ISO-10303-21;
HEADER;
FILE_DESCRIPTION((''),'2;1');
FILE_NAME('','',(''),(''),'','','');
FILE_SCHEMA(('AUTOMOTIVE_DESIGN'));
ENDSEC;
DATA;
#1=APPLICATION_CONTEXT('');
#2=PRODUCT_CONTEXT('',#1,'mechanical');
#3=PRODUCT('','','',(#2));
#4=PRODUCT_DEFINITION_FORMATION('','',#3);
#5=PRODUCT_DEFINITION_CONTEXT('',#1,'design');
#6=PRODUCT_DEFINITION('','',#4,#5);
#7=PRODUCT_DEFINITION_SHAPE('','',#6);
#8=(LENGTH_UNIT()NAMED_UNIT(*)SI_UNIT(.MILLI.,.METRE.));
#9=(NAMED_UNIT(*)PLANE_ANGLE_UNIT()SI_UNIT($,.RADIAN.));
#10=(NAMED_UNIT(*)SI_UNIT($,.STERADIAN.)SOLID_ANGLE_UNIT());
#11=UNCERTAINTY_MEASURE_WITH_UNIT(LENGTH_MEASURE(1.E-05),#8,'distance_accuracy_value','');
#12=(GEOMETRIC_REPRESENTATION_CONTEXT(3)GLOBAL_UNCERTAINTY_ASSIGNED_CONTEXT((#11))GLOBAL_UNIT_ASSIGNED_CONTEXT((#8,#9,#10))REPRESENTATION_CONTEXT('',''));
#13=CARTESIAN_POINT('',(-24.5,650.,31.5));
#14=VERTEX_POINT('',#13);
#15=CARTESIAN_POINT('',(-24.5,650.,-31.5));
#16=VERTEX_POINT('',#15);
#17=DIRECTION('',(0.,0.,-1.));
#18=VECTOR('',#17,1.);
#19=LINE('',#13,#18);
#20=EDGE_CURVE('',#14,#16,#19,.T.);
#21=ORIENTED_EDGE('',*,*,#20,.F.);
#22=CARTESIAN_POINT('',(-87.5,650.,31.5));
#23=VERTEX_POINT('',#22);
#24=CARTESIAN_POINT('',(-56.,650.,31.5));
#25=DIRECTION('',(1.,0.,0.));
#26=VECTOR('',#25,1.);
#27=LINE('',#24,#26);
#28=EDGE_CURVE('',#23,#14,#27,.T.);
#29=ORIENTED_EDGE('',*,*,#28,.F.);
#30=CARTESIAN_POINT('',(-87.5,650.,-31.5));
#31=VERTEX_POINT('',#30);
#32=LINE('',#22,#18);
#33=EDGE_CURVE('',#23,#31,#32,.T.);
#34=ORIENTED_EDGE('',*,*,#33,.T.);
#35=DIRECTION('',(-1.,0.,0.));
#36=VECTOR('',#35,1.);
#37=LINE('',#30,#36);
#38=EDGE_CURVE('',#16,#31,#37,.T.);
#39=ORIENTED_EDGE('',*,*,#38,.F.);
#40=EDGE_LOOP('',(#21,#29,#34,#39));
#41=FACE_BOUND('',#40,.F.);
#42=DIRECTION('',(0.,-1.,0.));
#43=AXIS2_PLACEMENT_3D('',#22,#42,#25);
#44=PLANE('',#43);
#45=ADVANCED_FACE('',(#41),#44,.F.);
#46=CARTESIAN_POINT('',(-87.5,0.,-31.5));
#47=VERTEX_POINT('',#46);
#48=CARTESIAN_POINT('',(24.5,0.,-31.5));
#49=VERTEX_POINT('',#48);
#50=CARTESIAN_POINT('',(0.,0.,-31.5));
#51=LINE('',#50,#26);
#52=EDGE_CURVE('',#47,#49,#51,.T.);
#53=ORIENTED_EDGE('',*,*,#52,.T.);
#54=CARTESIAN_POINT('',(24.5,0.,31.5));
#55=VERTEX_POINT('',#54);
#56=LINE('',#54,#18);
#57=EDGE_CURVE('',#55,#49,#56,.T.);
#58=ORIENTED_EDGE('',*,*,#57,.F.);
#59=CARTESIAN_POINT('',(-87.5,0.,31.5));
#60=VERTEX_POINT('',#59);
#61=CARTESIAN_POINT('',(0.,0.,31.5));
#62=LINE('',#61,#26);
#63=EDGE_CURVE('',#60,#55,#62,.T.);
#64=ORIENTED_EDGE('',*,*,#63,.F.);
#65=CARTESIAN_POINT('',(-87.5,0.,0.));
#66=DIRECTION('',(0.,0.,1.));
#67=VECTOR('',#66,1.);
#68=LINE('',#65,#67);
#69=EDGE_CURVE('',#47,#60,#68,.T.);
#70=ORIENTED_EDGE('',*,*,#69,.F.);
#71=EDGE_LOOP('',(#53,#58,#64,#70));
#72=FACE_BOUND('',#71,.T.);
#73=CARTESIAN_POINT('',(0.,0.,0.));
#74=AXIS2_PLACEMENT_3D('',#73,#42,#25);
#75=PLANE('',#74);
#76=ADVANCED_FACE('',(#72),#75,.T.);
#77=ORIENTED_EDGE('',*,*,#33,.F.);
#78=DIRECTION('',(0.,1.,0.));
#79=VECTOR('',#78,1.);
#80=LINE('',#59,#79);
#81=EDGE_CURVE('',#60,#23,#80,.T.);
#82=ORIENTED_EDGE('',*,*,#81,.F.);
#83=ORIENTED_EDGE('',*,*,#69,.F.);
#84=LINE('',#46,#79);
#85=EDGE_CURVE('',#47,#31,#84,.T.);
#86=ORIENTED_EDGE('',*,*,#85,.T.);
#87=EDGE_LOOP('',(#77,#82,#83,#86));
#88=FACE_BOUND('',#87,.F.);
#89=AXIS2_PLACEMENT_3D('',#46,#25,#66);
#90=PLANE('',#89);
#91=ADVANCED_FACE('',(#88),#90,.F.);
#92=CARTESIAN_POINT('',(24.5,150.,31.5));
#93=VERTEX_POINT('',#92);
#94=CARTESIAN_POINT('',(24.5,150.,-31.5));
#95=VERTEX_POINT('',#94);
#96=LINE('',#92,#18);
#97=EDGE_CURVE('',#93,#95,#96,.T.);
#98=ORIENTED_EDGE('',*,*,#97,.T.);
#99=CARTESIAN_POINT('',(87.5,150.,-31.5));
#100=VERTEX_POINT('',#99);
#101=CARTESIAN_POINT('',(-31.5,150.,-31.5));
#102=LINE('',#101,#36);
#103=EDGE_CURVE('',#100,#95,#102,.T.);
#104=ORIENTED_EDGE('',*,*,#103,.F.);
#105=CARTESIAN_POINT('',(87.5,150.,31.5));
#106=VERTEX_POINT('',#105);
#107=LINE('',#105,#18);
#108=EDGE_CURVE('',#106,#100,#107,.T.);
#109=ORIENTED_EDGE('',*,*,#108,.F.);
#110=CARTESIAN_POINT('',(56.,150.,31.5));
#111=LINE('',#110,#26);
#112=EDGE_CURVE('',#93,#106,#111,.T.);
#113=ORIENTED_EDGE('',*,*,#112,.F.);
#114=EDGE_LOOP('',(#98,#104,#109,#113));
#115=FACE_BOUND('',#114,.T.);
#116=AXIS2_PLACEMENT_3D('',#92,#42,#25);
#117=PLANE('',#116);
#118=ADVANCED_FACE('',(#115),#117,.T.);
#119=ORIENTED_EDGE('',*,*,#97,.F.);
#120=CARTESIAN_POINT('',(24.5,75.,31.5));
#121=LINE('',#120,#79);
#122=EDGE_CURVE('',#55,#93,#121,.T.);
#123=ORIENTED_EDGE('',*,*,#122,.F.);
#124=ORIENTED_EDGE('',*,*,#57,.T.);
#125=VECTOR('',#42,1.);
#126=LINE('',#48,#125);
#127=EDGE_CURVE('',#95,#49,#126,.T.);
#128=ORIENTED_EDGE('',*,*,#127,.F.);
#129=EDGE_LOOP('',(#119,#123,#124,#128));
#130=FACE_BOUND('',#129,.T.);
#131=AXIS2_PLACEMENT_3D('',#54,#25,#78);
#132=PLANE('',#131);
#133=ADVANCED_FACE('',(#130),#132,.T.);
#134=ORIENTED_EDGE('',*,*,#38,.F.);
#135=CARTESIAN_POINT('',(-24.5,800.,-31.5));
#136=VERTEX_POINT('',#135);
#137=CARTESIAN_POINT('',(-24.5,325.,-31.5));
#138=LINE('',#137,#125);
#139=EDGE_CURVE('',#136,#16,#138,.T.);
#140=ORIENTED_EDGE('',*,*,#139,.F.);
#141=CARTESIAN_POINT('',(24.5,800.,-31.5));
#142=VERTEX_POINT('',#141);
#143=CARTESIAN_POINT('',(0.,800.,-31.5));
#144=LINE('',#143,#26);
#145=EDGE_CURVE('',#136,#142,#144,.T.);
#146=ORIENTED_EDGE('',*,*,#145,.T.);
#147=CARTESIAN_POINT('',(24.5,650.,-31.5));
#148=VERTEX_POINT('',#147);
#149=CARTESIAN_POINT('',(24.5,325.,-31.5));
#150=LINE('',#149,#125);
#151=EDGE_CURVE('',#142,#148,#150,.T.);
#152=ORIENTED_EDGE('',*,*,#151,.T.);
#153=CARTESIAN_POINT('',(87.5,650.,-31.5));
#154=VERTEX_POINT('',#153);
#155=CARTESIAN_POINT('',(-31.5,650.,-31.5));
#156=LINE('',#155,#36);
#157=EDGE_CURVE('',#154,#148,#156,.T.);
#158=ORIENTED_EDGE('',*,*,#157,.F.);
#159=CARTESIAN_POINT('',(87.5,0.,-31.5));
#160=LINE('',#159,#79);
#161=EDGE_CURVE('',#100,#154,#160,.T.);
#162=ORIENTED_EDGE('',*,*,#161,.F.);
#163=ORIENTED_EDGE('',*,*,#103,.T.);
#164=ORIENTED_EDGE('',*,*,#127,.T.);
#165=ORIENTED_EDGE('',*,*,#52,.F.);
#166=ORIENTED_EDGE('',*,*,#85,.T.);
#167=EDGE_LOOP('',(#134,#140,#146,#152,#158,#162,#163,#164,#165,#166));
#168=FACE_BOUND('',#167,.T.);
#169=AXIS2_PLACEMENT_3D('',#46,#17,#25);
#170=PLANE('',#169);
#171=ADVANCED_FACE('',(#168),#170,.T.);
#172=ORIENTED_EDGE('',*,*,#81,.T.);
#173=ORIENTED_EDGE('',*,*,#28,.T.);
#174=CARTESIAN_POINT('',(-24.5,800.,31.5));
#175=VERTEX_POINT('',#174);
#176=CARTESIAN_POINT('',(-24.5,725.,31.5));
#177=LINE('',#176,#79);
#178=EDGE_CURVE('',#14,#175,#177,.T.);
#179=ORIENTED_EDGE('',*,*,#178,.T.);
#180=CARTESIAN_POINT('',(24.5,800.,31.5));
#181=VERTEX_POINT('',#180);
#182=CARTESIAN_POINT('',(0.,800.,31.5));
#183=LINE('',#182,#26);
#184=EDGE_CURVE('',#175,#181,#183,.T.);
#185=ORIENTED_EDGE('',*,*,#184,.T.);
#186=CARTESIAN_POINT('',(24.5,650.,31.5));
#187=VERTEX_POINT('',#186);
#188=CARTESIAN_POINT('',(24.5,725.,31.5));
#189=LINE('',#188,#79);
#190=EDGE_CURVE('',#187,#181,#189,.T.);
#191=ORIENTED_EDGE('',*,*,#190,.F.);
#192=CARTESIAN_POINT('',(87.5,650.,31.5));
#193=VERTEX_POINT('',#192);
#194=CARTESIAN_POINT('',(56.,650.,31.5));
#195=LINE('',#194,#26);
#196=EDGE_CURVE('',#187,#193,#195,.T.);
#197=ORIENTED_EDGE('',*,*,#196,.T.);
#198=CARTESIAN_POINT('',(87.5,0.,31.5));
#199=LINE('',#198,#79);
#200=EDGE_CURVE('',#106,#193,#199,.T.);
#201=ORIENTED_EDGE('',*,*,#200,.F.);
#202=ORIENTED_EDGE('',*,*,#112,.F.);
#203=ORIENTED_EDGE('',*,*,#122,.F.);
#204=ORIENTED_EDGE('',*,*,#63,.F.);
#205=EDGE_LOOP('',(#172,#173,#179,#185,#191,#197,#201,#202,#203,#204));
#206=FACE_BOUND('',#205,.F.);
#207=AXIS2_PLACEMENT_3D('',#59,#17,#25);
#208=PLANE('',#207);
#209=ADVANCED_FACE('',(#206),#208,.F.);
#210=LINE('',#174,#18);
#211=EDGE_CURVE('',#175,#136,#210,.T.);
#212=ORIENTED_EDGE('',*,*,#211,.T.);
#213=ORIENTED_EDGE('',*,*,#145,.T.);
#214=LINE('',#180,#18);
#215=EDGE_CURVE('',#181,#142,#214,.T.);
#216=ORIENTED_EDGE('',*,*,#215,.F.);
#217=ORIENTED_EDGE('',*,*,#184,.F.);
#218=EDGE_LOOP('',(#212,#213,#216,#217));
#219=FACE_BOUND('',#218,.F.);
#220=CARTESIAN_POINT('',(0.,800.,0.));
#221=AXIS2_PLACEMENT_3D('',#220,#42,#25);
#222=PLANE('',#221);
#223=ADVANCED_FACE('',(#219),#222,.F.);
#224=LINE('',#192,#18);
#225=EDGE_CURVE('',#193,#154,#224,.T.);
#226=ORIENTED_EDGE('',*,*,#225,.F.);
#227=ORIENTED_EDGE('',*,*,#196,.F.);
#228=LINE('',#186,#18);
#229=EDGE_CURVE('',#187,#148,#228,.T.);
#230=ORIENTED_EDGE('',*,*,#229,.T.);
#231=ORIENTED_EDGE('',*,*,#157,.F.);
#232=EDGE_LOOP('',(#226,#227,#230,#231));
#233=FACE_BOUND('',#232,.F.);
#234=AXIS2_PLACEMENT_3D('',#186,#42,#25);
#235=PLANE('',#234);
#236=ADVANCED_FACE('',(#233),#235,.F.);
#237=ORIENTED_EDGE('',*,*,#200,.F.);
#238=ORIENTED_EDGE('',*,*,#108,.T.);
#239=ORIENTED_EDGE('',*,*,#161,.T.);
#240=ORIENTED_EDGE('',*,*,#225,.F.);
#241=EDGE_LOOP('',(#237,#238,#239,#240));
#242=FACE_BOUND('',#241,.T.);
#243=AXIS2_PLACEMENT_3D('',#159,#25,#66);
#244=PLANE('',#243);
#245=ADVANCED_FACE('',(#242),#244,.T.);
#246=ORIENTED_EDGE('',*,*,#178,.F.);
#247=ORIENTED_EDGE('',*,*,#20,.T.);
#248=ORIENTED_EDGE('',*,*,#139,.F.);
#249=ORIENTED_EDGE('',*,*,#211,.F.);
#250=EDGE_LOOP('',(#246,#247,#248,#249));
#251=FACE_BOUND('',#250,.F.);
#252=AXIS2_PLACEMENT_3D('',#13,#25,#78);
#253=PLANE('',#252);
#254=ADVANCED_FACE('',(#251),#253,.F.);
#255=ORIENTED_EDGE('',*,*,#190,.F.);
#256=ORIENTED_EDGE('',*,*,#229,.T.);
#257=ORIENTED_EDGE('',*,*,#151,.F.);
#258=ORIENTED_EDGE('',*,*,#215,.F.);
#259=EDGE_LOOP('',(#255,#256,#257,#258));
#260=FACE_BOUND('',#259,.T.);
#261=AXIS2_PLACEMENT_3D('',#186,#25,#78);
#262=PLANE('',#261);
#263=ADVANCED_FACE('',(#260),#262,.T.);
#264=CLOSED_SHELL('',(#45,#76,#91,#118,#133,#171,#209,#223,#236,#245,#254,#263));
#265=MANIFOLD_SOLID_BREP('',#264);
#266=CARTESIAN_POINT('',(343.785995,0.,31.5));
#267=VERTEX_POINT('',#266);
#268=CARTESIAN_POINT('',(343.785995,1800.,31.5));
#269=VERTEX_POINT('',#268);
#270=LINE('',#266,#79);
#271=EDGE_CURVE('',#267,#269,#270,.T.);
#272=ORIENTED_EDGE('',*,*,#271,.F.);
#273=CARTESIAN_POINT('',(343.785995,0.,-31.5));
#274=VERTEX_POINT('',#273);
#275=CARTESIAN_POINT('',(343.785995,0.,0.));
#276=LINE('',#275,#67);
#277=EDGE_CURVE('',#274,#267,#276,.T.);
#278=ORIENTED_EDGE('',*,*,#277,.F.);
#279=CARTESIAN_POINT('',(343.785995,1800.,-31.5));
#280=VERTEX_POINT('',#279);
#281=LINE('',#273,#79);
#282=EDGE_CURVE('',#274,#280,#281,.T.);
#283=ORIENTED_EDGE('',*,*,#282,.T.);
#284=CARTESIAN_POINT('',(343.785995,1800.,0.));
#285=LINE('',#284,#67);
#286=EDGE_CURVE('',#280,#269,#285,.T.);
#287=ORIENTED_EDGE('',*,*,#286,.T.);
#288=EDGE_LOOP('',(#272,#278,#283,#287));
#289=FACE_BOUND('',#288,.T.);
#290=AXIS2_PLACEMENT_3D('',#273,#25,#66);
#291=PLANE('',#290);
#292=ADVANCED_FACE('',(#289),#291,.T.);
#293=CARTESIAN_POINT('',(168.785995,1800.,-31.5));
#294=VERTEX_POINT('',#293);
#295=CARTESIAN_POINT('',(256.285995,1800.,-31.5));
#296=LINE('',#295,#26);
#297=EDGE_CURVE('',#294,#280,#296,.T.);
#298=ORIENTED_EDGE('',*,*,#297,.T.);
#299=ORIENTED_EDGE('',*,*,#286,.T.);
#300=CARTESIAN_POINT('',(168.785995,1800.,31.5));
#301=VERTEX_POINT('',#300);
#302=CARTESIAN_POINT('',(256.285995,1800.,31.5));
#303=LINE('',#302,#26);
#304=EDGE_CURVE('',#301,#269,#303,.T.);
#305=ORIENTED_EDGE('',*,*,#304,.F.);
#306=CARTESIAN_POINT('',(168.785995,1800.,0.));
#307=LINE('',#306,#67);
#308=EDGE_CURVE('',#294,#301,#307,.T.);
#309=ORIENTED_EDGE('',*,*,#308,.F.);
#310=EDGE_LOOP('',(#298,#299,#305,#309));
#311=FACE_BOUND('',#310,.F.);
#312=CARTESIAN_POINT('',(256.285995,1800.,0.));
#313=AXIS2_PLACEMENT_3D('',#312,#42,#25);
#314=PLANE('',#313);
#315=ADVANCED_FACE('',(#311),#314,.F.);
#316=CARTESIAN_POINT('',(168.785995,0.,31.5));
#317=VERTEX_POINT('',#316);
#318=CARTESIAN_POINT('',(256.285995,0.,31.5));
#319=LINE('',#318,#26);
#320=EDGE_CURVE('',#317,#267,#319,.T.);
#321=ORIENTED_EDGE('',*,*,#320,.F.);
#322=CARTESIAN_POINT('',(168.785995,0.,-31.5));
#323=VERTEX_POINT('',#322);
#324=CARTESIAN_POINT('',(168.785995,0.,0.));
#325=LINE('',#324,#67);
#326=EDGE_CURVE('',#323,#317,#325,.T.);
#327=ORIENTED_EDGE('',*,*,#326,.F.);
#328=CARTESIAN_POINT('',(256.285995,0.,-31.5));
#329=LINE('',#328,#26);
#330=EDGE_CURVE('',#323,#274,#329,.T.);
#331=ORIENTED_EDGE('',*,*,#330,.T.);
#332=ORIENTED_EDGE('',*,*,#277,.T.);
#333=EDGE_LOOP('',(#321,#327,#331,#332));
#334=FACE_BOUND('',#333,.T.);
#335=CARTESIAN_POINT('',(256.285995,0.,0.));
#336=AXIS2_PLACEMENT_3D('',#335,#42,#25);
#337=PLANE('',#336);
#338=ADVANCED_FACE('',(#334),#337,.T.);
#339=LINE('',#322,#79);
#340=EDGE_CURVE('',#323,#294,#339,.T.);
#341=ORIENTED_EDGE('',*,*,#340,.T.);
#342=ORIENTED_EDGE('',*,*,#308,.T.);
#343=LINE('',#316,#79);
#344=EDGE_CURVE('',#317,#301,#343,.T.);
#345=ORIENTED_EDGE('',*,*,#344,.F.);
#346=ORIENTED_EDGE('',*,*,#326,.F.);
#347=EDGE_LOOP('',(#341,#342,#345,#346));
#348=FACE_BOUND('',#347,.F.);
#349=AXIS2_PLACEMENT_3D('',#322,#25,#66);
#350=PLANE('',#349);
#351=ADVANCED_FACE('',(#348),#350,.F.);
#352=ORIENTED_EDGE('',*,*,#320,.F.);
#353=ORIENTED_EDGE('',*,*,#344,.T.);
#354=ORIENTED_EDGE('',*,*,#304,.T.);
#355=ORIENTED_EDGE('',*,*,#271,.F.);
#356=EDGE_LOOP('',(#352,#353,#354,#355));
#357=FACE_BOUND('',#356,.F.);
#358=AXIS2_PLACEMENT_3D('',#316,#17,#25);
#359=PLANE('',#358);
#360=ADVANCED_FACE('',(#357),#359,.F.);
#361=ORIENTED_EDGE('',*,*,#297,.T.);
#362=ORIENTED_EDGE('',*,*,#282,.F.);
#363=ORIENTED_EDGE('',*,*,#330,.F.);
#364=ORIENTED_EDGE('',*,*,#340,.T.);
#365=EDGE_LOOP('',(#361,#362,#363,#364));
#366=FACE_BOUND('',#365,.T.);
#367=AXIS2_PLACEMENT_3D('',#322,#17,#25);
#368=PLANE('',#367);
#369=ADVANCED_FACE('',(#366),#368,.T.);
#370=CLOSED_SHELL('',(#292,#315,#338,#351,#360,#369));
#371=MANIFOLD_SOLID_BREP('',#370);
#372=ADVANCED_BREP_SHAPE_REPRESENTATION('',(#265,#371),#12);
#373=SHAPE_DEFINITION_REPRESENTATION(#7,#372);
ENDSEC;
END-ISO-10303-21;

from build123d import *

# Parameters (mm, degrees)
F0_W     = 175
F0_H     = 63
F1_DEPTH = 800
F2_W     = 63
F2_H     = 150
F3_DEPTH = 63.001
F4_W     = 175
F4_H     = 63
F5_DEPTH = 1800


with BuildPart() as f1:
    # F0 (on Front) → F1 (new body)
    with BuildSketch(Plane.XZ):
        Rectangle(F0_W, F0_H)
    extrude(amount=-F1_DEPTH)

    # F2 (on face) → F3 (cut, through all)
    with BuildSketch(Plane.XY.offset(31.5)):
        with Locations((56, 75)):
            Rectangle(F2_W, F2_H)
        with Locations((-56, 725)):
            Rectangle(F2_W, F2_H)
        with Locations((56, 725)):
            Rectangle(F2_W, F2_H)
    extrude(amount=-F3_DEPTH, mode=Mode.SUBTRACT)


with BuildPart() as f5:
    # F4 (on Front) → F5 (new body)
    with BuildSketch(Plane.XZ):
        with Locations((256.285995, 0)):
            Rectangle(F4_W, F4_H)
    extrude(amount=-F5_DEPTH)


solid = Compound([f1.part, f5.part])
